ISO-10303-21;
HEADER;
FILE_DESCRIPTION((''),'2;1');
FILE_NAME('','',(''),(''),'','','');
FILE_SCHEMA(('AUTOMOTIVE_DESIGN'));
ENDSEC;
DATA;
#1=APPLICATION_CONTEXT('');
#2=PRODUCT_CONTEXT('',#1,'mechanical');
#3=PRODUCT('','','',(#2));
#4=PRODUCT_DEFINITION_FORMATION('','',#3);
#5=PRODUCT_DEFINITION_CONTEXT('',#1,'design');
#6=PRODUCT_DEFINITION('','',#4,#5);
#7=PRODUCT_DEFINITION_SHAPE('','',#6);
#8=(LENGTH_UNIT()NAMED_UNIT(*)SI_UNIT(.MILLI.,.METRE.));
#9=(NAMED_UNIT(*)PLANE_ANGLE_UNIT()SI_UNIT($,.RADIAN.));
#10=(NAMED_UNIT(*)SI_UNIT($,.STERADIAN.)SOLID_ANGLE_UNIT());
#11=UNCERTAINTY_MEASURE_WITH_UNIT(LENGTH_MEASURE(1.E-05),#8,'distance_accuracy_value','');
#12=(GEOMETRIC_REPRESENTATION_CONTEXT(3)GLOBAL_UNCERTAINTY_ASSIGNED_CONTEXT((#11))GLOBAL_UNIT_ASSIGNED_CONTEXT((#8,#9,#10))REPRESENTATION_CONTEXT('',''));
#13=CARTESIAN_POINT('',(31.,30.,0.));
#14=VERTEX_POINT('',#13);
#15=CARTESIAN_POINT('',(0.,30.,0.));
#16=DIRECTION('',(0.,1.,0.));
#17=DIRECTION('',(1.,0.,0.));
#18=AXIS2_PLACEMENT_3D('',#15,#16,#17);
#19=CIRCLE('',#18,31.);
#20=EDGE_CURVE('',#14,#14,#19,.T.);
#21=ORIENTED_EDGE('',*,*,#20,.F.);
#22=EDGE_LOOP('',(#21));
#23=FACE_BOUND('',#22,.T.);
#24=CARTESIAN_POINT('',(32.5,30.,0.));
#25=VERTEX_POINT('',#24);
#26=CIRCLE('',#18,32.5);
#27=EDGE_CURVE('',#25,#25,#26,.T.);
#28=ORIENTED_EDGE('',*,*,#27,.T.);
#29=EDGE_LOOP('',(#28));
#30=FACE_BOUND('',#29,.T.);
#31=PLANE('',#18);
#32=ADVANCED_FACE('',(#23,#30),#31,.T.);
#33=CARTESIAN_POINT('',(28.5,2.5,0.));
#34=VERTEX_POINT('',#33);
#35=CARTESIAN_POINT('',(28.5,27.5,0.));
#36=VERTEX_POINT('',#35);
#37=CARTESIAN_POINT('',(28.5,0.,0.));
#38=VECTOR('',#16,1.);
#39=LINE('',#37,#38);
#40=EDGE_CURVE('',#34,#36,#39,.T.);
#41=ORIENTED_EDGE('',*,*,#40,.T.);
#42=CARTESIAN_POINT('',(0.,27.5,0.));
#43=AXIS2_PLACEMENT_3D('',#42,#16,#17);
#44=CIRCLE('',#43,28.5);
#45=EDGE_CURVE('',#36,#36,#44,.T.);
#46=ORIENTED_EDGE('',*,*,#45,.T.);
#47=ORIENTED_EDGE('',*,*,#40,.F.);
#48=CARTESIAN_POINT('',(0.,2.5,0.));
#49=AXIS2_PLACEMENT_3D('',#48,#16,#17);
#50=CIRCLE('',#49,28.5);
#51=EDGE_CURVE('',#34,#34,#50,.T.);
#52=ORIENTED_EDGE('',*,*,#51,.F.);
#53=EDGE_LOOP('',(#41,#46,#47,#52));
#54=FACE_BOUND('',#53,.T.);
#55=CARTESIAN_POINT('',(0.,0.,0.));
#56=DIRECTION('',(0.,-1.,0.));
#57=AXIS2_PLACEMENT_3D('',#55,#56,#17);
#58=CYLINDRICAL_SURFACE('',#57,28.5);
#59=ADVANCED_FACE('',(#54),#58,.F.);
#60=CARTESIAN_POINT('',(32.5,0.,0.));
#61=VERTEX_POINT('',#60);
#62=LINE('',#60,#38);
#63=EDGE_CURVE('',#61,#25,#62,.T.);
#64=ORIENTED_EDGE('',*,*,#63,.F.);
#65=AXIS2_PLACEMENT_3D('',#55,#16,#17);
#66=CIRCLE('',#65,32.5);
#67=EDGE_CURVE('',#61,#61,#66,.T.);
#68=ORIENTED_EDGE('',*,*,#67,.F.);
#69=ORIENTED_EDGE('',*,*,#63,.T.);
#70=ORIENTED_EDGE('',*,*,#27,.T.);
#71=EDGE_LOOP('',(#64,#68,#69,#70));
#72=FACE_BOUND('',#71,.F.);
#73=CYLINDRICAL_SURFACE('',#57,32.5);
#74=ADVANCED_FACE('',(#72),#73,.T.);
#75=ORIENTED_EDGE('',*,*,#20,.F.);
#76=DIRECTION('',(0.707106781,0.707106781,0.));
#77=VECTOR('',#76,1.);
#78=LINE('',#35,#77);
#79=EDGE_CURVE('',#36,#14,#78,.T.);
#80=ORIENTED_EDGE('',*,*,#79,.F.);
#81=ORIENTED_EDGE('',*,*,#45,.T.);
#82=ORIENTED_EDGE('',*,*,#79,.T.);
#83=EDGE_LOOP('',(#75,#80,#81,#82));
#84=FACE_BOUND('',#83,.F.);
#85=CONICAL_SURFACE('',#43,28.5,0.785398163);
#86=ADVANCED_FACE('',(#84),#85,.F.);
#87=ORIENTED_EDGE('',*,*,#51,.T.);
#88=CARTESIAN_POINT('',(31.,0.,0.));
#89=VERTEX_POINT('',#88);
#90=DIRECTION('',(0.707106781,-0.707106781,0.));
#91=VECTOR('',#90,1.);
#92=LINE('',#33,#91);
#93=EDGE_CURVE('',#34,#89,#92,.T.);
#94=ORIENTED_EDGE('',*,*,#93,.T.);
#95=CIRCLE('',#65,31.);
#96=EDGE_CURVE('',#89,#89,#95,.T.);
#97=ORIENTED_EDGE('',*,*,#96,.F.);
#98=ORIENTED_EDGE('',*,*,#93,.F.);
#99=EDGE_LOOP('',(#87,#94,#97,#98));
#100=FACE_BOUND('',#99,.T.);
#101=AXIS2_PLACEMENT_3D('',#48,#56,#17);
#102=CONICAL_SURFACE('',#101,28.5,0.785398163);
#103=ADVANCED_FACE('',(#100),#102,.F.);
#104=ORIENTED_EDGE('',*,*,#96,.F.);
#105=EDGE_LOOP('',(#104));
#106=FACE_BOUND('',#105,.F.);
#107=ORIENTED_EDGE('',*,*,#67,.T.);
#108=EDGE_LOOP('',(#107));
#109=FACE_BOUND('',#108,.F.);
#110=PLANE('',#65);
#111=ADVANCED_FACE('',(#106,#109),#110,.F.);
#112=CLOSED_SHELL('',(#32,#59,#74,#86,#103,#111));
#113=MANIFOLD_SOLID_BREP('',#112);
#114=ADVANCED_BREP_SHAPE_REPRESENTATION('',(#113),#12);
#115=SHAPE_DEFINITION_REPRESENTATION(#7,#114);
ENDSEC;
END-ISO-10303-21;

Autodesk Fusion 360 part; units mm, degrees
sketch "Sketch1" plane through (0, 0, 0) normal (0, 1, 0) x (1, 0, 0)
  circle A0 centre (0, 0) radius 32.5
  circle A1 centre (0, 0) radius 28.5
  dimension "d1" = 65
  dimension "d2" = 57
extrude "Extrude1" add sketch "Sketch1" along normal blind 30
chamfer "Chamfer1" distance 2.5 angle 45 2 edges at (-26.5713, 0, -10.306) (-26.5713, 30, -10.306)
